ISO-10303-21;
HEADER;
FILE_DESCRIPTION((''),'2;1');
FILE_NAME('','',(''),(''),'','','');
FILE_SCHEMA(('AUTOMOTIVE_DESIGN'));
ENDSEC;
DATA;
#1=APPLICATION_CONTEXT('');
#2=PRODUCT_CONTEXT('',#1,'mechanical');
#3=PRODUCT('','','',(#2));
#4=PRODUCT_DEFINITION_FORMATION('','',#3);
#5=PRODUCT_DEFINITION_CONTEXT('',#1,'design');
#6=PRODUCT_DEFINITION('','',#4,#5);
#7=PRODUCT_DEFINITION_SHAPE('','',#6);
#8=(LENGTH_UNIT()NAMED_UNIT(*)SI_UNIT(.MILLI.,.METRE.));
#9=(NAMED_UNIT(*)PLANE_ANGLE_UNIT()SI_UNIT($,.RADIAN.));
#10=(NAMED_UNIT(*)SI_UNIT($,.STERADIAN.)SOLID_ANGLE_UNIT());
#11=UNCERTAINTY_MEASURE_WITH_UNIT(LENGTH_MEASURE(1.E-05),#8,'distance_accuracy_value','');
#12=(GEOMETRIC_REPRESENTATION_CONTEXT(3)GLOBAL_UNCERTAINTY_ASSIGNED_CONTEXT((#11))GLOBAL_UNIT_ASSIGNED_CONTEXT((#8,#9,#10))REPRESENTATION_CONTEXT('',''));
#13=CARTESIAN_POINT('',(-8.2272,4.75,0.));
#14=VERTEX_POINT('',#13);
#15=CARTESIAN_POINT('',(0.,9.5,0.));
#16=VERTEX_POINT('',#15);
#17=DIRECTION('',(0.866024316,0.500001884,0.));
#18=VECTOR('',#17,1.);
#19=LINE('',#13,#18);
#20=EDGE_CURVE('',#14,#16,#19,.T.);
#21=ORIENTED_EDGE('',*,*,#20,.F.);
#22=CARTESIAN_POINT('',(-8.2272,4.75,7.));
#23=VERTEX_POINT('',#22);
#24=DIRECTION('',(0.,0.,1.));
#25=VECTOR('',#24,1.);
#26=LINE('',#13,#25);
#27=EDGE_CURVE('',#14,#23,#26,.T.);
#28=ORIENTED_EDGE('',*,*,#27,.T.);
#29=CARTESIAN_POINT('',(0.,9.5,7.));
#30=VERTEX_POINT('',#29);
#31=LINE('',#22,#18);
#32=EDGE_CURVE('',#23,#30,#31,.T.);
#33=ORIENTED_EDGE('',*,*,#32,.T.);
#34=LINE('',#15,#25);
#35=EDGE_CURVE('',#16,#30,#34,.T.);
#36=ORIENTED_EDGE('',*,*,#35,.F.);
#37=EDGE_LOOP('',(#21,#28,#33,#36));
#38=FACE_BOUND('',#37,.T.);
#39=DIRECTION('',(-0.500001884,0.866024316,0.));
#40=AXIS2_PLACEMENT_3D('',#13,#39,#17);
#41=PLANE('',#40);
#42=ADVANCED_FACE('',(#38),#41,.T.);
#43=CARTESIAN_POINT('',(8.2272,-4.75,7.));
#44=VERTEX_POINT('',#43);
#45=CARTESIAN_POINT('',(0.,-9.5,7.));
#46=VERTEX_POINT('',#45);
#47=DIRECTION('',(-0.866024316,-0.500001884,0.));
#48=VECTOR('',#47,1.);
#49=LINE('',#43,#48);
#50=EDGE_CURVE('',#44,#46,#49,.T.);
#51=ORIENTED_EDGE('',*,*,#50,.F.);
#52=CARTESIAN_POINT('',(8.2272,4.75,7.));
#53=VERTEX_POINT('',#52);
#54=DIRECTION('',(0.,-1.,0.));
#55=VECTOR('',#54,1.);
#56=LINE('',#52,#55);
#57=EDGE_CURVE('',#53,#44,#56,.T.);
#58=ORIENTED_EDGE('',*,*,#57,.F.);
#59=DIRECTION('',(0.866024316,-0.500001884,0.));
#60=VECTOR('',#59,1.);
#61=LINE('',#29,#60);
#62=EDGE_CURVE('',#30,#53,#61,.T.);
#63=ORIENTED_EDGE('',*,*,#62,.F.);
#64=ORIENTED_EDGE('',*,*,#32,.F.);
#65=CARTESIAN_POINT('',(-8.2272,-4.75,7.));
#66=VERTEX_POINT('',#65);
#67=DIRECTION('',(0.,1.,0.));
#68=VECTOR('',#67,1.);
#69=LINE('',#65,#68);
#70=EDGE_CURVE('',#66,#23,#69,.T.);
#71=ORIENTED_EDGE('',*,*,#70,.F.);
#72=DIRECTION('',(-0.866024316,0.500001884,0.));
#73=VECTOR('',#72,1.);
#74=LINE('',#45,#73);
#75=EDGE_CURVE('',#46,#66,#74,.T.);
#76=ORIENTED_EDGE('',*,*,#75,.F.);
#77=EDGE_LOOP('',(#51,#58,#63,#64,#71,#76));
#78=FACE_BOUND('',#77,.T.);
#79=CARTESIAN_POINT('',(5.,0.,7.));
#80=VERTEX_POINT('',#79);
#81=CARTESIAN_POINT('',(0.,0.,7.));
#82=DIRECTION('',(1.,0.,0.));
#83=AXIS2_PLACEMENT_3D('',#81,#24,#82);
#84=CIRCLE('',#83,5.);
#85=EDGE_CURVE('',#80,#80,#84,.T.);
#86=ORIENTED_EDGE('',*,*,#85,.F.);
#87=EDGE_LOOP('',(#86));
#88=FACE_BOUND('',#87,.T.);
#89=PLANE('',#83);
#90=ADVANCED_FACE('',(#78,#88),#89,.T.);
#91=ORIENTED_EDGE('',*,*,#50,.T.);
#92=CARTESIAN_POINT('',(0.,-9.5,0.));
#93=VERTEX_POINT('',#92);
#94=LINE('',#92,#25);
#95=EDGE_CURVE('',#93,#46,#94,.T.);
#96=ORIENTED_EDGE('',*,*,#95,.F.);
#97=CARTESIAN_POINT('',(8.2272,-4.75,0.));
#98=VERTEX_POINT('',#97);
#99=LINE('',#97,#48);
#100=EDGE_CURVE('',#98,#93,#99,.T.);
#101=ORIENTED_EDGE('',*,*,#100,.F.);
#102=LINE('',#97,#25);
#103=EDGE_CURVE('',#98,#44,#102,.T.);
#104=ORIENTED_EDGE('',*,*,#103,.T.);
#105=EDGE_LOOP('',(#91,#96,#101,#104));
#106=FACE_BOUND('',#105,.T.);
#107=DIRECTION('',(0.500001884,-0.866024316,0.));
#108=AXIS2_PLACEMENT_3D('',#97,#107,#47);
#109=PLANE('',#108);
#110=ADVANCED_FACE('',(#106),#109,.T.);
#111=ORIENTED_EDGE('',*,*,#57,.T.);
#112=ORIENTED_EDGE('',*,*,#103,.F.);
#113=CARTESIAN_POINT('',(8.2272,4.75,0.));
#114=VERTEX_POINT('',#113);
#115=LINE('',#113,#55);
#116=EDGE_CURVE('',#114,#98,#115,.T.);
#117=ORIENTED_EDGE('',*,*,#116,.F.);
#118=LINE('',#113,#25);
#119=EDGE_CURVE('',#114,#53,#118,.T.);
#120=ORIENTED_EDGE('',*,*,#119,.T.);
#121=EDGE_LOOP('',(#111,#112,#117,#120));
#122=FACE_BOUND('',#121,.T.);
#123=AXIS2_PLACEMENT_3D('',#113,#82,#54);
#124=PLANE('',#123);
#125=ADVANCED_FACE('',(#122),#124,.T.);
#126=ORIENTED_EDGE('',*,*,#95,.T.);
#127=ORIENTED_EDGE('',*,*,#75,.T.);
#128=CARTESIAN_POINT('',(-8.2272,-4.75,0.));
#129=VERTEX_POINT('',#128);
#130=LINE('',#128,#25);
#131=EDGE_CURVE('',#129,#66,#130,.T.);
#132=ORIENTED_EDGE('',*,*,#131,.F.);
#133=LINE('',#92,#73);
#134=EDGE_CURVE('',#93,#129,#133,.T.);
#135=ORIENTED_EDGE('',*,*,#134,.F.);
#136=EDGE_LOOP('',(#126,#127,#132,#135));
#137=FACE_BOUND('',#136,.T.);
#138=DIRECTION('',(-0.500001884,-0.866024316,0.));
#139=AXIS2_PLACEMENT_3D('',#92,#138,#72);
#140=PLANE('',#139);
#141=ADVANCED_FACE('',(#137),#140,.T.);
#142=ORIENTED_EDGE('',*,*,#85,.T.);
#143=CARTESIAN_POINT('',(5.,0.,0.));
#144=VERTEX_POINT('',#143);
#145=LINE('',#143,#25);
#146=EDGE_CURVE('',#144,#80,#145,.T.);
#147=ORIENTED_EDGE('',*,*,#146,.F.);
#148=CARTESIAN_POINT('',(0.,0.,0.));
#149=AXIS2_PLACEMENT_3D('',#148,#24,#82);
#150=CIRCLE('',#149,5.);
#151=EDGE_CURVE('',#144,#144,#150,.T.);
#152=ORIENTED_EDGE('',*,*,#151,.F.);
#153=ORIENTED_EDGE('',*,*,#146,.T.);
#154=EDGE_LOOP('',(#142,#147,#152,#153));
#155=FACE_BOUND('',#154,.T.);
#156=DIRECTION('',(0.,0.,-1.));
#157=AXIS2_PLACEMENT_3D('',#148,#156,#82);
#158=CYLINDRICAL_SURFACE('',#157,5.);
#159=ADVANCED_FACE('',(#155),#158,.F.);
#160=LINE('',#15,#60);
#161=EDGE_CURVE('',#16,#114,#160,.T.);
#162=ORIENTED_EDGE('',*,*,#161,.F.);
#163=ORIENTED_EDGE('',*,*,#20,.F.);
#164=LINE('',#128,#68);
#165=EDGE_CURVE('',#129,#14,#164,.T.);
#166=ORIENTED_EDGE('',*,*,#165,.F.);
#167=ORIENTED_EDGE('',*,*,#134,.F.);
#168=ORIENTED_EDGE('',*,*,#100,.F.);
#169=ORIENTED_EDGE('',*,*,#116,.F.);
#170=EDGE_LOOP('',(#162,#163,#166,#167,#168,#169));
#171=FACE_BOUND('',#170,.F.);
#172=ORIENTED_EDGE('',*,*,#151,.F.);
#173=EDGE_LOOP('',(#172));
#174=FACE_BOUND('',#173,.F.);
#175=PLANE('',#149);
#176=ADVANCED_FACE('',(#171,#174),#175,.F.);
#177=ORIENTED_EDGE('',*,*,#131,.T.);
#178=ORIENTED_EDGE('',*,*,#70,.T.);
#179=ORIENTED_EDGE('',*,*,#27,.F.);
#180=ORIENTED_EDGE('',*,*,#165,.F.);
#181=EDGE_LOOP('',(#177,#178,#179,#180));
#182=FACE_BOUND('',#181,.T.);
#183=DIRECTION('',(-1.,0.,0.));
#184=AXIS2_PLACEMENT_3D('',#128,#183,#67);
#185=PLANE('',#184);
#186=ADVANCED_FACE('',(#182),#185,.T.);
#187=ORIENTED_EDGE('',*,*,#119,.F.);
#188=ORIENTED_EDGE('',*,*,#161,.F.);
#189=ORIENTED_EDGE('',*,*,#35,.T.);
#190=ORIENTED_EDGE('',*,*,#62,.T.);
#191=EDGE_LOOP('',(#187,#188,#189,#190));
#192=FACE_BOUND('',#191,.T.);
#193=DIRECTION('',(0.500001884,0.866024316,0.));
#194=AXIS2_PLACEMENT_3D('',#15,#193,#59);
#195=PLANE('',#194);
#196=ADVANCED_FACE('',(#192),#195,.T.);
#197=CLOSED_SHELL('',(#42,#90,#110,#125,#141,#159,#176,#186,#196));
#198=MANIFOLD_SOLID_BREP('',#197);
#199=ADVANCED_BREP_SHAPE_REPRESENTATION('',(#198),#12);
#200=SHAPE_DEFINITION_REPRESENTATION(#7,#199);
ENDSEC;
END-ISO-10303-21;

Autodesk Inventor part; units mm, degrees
ref_plane "YZ Plane" through (0, 0, 0) normal (1, 0, 0) x (0, 1, 0)
ref_plane "XZ Plane" through (0, 0, 0) normal (0, 1, 0) x (-1, 0, 0)
ref_plane "XY Plane" through (0, 0, 0) normal (0, 0, 1) x (1, 0, 0)
sketch "Sketch1" plane through (0, 0, 0) normal (0, 0, 1) x (1, 0, 0)
  circle A0 centre (0, 0) radius 5
  line L0 (0, 9.5) -> (8.2272, 4.75)
  line L1 (8.2272, 4.75) -> (8.2272, -4.75)
  line L2 (8.2272, -4.75) -> (0, -9.5)
  line L3 (0, -9.5) -> (-8.2272, -4.75)
  line L4 (-8.2272, -4.75) -> (-8.2272, 4.75)
  line L5 (-8.2272, 4.75) -> (0, 9.5)
  dimension "d0" = 10
  dimension "d7" = 19
extrude "Extrusion1" add sketch "Sketch1" along normal blind 7
thread "Thread2" size "M10x1.5" class "6H" standard "ANSI Metric M Profile" full length
properties part number "ThreadedBar2"
